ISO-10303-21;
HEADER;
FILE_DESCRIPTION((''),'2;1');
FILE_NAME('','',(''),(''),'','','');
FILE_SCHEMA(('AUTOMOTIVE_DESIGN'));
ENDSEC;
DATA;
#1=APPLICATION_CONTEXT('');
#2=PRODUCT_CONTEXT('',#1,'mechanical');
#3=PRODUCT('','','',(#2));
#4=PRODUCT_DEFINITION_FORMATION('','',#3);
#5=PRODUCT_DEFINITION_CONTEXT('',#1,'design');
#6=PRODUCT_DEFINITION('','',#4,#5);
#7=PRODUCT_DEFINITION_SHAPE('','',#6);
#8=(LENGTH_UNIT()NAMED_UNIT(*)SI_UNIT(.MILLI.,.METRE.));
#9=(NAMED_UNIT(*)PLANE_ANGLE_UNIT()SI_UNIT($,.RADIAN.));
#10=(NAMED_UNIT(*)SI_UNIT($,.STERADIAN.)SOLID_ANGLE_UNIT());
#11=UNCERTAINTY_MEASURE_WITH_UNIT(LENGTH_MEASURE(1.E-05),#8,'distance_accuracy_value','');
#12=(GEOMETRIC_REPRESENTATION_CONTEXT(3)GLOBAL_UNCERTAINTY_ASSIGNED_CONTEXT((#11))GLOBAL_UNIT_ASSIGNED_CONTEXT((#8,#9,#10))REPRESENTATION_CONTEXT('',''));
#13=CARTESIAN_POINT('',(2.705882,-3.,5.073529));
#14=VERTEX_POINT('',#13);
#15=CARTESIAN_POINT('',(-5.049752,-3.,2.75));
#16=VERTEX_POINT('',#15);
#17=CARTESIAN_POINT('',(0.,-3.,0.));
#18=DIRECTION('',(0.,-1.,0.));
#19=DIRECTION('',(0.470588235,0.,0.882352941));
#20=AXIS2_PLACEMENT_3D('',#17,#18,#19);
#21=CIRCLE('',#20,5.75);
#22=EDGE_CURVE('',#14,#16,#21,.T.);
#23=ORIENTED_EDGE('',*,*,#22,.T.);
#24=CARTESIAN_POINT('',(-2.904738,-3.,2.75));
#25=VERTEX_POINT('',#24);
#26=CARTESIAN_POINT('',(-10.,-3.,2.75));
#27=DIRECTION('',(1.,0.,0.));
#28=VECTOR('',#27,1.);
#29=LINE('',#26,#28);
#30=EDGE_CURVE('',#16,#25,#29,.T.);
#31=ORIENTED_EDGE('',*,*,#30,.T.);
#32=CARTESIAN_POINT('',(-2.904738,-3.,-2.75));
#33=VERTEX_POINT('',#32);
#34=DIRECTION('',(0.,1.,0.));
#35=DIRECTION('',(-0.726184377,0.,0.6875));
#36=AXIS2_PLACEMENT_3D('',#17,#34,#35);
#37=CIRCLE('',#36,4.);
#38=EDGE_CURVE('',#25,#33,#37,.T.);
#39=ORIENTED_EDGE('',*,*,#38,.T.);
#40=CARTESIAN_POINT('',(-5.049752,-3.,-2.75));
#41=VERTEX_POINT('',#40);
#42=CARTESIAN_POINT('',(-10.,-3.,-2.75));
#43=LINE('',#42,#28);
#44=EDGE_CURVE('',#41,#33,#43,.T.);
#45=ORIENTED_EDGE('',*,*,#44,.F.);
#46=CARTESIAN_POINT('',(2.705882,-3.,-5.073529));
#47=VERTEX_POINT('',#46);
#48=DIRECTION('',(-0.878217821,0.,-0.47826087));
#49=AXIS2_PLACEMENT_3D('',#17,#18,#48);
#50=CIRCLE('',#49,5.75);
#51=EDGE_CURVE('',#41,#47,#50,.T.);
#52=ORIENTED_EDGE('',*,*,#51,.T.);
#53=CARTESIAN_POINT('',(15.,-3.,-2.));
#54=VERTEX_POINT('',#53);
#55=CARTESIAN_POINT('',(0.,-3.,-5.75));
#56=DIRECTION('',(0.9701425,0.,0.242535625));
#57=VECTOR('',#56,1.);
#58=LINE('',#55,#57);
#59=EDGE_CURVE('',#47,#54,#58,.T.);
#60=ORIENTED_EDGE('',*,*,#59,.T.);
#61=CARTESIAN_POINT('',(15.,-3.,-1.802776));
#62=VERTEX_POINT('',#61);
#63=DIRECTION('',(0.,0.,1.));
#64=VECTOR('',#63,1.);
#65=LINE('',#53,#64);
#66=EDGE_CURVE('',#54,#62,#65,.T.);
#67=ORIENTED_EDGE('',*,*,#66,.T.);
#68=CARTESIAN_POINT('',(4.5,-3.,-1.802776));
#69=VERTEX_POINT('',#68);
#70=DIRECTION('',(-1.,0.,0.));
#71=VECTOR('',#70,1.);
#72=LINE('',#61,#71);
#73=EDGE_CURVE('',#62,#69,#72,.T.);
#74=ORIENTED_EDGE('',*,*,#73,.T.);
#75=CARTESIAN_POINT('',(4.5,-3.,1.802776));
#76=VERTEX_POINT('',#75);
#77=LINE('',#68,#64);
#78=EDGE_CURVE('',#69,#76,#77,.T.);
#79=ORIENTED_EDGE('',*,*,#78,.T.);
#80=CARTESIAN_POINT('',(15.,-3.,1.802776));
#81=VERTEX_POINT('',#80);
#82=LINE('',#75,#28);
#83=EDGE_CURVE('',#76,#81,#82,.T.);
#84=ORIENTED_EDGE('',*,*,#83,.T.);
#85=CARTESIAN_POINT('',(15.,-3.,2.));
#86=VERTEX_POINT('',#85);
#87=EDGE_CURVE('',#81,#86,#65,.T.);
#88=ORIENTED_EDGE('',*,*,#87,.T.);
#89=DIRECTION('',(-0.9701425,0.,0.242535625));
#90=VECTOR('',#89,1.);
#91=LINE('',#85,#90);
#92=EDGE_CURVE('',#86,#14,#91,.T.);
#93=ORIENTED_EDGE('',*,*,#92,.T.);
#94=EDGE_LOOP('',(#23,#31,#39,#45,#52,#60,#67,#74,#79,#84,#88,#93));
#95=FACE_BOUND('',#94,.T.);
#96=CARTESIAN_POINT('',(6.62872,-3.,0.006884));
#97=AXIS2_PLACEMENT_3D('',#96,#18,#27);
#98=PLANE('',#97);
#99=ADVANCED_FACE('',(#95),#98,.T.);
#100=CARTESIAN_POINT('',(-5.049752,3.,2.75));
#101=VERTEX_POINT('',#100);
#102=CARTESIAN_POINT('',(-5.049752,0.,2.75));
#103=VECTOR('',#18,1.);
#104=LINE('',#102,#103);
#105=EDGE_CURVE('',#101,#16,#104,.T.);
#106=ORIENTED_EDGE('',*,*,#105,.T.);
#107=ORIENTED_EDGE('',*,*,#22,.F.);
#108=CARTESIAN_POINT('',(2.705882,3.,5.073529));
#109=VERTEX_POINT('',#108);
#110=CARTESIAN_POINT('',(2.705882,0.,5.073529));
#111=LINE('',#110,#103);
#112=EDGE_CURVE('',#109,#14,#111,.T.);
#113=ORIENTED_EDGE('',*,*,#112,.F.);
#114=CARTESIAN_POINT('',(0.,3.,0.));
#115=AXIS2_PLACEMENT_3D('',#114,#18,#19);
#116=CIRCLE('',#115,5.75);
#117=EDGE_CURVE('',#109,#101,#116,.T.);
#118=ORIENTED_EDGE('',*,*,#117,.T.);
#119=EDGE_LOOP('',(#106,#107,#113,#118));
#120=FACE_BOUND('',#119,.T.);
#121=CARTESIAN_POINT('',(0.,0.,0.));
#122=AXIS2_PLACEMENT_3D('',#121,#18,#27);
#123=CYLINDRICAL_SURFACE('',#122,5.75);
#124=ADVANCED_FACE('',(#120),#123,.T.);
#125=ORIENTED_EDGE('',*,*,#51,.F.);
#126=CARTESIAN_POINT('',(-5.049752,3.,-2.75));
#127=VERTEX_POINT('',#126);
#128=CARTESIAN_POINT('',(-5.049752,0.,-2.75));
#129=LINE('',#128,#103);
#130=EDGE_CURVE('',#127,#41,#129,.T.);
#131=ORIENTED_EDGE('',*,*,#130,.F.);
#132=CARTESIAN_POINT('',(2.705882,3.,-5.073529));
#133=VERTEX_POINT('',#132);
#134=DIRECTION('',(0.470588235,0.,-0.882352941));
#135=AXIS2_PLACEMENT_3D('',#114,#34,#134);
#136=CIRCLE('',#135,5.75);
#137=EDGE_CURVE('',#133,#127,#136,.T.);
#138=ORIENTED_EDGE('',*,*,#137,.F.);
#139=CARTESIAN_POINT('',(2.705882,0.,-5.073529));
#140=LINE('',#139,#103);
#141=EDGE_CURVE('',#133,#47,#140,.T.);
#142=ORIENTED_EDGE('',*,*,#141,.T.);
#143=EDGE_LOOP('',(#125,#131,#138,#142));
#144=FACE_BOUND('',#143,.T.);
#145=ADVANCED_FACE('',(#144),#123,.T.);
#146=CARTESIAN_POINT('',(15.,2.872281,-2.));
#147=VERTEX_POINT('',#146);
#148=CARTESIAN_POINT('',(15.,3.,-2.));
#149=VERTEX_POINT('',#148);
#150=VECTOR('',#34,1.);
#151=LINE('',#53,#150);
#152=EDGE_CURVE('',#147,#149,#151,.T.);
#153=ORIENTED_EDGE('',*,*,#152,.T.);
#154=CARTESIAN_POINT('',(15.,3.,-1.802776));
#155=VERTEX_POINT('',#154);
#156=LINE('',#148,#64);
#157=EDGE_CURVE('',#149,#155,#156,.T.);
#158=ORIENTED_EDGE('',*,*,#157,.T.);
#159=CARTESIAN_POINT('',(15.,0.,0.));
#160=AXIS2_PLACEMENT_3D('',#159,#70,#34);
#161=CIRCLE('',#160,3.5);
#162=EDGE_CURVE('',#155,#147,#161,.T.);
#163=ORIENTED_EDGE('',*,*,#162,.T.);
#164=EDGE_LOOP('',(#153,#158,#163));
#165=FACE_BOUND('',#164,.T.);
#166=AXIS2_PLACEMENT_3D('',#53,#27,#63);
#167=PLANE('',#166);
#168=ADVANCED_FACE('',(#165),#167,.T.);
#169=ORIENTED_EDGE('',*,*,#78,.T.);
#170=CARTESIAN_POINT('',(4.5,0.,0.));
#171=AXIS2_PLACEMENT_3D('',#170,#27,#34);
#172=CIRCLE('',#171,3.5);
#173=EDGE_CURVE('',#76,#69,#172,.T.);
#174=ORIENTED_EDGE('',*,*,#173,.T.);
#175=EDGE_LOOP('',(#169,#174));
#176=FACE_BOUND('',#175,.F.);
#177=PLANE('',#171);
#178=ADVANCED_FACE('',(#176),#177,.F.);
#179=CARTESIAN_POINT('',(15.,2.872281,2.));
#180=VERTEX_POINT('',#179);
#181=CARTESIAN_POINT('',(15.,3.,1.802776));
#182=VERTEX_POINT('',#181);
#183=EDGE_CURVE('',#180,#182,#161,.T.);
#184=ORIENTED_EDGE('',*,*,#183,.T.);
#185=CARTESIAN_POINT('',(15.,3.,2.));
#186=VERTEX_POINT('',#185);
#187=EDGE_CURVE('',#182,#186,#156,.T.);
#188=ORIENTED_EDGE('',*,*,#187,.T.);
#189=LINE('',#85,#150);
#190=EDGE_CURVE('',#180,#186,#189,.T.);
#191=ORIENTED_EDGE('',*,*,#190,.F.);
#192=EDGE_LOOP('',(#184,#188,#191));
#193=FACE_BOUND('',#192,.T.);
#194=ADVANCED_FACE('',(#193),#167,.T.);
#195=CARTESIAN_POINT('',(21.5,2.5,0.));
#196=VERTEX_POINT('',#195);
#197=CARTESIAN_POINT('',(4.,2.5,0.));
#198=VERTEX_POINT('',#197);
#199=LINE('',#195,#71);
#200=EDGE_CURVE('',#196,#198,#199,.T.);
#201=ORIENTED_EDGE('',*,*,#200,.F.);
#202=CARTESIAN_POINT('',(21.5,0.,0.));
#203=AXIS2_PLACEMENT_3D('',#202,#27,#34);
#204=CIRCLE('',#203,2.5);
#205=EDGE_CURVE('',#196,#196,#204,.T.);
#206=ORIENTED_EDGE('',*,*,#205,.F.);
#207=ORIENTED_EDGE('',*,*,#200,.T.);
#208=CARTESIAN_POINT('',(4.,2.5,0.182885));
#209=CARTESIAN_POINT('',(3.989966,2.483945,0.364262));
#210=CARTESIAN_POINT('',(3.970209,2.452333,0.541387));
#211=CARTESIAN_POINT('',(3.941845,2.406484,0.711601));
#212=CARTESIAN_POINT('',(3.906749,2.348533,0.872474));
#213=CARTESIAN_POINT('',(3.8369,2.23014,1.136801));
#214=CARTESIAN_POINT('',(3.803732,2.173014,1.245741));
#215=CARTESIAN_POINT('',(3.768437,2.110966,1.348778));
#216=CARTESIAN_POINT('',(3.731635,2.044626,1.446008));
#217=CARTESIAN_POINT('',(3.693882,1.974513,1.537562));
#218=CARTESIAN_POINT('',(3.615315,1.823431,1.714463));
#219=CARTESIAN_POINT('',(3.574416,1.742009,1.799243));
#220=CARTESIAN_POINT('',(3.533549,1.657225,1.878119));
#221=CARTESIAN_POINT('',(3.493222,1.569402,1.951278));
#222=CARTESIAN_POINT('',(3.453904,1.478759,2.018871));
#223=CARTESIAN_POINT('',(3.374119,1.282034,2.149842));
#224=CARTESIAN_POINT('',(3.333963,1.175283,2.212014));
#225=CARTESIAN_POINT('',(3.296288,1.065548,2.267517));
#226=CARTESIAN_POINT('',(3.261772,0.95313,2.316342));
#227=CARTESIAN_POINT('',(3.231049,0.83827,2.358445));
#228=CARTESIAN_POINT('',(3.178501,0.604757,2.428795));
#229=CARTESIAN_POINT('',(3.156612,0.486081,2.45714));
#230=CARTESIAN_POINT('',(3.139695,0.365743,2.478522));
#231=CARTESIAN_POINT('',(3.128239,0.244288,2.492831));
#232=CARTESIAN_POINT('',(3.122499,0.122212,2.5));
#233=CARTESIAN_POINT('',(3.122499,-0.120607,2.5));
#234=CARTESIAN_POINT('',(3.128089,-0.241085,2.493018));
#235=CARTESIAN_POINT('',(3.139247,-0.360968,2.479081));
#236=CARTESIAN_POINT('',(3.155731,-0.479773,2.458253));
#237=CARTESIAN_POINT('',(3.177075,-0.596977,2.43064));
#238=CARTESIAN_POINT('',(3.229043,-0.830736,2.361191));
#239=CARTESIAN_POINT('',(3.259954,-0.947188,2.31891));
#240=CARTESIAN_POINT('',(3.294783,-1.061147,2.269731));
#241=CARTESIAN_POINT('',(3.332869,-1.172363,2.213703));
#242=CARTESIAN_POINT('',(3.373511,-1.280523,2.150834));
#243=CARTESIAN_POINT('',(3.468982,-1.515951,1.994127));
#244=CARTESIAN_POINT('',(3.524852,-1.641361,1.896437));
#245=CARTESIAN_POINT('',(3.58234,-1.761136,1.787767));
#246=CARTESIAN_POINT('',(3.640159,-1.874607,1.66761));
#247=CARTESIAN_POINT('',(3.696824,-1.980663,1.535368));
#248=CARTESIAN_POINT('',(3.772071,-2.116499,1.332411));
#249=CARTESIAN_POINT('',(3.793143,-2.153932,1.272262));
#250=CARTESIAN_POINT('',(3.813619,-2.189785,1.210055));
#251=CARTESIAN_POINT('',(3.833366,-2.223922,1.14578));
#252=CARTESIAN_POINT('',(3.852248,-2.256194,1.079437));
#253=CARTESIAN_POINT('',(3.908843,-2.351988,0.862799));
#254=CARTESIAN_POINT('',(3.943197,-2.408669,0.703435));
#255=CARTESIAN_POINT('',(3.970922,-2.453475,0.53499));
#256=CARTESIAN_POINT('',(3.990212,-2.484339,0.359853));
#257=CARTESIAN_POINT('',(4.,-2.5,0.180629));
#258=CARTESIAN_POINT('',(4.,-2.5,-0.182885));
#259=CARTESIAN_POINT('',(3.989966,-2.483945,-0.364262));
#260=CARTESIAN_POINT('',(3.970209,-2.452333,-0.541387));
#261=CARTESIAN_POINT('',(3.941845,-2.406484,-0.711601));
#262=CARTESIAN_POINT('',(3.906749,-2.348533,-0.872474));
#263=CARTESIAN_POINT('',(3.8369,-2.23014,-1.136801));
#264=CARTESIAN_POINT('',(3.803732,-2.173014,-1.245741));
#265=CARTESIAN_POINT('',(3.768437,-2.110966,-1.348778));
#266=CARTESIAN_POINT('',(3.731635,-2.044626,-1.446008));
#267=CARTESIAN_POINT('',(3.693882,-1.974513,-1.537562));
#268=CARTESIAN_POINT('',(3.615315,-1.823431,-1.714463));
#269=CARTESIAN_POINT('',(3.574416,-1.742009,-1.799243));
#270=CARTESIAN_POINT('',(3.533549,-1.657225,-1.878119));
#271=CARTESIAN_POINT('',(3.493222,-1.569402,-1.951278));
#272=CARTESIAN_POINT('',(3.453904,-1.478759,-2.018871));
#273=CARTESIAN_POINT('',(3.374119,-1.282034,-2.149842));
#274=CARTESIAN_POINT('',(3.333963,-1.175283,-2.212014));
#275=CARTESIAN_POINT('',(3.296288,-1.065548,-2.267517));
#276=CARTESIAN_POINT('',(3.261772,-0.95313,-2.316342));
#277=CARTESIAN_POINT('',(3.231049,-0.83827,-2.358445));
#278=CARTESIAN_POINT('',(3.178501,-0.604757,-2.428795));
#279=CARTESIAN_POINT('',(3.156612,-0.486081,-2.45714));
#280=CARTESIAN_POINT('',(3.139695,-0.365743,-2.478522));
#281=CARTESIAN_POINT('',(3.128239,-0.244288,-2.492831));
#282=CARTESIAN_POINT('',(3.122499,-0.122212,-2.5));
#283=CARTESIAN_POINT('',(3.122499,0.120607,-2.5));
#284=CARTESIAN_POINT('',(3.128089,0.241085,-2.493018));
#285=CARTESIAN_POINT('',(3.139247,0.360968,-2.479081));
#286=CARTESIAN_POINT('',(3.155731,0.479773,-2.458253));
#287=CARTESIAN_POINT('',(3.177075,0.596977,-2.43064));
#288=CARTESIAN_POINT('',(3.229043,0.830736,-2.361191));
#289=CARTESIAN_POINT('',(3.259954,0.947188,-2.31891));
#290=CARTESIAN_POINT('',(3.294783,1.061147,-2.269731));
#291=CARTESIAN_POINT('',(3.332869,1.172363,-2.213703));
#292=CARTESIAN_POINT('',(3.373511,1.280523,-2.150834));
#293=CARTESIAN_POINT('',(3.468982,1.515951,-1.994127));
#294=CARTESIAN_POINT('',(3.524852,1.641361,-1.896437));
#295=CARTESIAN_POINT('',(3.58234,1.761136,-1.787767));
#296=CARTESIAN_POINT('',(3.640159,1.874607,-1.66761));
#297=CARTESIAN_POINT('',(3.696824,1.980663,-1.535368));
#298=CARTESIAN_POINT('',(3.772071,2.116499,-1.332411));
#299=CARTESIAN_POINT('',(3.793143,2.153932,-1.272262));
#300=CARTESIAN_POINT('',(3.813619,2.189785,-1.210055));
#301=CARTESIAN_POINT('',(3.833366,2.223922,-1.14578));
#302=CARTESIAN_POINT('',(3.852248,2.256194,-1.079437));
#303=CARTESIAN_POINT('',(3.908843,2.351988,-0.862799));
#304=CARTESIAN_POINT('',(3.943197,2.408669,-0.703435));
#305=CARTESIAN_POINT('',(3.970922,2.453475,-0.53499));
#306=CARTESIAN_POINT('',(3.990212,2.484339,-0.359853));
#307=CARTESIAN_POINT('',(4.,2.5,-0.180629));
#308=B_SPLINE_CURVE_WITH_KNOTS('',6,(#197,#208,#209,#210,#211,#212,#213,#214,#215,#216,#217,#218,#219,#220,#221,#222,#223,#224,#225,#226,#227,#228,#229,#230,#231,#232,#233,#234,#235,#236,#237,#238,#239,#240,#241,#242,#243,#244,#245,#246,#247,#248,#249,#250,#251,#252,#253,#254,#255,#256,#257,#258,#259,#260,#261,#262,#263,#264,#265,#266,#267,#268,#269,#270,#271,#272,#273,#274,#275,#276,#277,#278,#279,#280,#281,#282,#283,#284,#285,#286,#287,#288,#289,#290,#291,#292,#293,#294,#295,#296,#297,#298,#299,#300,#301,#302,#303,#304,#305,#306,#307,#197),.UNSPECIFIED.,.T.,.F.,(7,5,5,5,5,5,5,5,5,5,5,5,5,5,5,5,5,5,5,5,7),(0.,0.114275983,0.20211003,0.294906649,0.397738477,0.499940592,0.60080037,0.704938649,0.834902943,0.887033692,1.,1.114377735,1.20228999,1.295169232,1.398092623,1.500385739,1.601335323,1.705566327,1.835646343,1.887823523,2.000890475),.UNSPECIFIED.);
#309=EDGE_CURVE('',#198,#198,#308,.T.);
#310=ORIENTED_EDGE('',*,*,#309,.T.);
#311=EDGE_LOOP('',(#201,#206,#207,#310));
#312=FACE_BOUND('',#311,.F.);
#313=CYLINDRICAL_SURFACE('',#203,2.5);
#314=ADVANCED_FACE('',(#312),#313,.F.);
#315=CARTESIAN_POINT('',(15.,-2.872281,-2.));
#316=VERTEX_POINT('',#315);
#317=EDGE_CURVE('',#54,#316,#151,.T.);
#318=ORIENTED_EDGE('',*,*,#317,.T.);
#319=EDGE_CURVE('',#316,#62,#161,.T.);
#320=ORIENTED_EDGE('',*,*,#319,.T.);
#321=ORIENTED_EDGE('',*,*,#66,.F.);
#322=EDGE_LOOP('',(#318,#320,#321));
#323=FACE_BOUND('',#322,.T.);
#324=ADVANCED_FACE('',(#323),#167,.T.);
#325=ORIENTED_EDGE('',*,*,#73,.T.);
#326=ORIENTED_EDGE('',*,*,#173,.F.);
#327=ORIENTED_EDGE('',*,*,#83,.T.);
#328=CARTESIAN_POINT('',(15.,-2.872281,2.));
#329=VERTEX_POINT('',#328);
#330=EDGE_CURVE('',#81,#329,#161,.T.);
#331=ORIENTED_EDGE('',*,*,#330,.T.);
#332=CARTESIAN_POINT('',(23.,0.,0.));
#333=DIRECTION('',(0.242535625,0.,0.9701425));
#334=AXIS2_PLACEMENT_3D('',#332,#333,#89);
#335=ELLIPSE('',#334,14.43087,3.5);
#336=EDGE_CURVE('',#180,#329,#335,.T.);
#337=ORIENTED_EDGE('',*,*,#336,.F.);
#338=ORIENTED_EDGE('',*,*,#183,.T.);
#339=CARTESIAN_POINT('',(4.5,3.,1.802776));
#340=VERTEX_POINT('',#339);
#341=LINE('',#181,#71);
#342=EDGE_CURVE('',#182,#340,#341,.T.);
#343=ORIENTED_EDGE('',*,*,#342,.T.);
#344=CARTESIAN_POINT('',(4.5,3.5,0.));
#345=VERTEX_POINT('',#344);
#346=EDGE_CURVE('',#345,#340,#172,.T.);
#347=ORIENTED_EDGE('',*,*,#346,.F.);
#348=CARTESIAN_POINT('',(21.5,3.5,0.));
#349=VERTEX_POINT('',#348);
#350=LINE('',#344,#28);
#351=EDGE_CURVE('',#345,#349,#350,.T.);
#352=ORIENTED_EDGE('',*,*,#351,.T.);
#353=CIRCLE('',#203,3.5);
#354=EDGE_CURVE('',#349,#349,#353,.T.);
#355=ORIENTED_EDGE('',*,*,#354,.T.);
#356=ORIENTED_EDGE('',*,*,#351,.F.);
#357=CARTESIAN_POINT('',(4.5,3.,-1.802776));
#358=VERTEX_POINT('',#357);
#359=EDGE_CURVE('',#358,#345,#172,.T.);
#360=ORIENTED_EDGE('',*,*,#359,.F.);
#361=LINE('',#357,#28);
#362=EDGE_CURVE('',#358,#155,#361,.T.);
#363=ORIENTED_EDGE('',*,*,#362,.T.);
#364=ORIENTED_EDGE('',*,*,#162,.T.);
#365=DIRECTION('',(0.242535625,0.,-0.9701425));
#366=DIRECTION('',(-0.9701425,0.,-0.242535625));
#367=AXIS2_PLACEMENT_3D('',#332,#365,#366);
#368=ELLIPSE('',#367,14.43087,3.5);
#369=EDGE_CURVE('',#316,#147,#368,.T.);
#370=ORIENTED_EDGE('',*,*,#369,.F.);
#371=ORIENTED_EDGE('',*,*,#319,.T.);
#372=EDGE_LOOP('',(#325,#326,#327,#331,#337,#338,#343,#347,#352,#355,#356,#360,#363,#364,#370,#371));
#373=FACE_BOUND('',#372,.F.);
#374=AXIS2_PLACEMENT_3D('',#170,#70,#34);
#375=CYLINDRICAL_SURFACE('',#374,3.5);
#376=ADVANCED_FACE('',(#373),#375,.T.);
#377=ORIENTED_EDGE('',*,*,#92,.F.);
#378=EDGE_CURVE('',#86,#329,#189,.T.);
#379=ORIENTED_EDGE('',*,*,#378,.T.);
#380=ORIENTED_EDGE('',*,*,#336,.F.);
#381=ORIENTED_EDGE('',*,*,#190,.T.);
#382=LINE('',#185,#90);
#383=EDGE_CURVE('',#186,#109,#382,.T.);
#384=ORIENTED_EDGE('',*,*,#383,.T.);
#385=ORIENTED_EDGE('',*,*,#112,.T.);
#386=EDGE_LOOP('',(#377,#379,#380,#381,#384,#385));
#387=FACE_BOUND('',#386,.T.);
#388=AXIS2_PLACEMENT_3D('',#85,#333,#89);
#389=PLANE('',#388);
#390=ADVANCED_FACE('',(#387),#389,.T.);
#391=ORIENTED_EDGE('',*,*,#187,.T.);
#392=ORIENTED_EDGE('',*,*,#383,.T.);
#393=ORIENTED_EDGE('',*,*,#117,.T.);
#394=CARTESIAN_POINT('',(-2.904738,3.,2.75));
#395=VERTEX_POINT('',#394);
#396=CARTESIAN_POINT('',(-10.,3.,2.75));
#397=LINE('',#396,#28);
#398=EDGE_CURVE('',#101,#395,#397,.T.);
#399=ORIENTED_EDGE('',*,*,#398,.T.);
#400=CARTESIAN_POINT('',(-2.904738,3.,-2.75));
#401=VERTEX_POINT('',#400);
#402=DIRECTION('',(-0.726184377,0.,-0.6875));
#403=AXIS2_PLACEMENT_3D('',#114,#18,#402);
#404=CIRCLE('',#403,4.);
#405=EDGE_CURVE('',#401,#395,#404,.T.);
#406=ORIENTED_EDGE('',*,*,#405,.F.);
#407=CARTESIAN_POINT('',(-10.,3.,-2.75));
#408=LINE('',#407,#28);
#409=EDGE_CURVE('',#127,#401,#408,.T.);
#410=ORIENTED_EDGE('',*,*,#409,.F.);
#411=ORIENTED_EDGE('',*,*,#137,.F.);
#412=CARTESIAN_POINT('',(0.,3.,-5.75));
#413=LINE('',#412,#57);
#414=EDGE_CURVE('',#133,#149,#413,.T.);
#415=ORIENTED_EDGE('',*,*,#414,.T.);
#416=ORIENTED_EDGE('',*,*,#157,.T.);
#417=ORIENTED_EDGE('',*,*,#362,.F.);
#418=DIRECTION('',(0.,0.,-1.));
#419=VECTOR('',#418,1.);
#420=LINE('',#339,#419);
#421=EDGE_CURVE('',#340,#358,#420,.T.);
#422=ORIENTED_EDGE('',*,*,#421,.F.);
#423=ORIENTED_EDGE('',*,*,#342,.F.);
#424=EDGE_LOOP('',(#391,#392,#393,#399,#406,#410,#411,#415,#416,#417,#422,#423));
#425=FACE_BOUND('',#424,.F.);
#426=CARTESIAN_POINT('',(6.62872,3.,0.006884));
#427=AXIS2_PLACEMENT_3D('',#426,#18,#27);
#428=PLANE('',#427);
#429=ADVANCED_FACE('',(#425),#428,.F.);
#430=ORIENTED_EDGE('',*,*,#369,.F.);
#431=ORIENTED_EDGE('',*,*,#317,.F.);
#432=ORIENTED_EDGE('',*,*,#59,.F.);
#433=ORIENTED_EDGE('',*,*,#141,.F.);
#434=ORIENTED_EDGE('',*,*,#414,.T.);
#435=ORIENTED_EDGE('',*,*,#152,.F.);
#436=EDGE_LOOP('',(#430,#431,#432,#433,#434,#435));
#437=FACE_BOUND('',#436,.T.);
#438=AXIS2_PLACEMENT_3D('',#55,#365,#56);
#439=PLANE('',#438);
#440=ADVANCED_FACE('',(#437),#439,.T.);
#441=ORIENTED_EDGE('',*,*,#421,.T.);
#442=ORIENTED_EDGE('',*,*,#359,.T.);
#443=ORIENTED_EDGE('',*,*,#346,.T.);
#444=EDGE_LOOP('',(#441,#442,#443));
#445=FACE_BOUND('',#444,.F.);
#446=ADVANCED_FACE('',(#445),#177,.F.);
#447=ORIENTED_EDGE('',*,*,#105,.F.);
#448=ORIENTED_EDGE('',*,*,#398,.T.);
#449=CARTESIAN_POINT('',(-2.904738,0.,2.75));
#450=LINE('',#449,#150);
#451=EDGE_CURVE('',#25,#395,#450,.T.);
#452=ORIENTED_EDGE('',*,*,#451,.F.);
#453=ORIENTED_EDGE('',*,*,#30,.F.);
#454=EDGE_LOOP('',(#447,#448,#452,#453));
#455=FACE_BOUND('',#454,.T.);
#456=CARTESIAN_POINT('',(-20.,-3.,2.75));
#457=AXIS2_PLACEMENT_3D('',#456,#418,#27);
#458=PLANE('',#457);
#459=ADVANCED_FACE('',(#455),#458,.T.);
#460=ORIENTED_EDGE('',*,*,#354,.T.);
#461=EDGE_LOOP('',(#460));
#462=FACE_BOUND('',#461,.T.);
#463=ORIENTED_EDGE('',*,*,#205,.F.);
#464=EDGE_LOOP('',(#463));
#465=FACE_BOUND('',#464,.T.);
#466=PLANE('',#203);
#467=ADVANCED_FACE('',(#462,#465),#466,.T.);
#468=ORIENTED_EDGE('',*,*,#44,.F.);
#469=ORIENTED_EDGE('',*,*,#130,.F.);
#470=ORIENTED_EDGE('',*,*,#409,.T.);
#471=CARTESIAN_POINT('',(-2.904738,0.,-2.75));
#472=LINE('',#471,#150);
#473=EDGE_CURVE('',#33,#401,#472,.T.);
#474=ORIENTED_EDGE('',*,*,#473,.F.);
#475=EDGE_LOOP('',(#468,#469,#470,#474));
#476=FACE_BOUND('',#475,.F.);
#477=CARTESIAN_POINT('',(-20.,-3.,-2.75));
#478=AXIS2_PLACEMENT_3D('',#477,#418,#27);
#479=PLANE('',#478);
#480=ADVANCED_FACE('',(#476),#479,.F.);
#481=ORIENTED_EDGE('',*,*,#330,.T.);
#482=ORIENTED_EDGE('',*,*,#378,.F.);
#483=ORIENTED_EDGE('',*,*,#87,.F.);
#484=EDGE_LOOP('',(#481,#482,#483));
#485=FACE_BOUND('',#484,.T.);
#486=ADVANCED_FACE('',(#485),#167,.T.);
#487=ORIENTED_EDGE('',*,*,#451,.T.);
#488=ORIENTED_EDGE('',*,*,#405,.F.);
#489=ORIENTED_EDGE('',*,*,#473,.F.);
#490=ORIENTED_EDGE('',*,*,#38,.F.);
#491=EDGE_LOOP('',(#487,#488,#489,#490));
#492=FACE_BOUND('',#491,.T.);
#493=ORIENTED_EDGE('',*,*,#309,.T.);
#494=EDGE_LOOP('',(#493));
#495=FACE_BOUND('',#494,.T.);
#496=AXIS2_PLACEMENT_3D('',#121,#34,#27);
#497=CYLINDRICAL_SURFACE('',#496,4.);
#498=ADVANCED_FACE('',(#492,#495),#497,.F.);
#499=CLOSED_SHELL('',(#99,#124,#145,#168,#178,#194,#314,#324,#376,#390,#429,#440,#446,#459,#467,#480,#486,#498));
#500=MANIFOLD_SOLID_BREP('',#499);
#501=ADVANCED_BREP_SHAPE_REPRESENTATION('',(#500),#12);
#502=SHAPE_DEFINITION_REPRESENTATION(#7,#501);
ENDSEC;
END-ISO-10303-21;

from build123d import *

# Parameters (mm, degrees)
F0_R      = 5.75
F0_R_2    = 4
F1_DEPTH  = 3
F3_R      = 3.5
F4_DEPTH  = 17
F5_W      = 20
F5_H      = 5.5
F6_DEPTH  = 25
F12_DEPTH = 6
F10_R     = 2.5
F13_DEPTH = 25


with BuildPart() as f1:
    # F0 (on Front) → F1 (new body, symmetric)
    with BuildSketch(Plane.XZ):
        Circle(F0_R)
        Circle(F0_R_2, mode=Mode.SUBTRACT)
    extrude(amount=F1_DEPTH, both=True)

    # F3 (on offset) → F4 (join)
    with BuildSketch(Plane.YZ.offset(4.5)):
        Circle(F3_R)
    extrude(amount=F4_DEPTH)

    # F5 (on face) → F6 (cut)
    with BuildSketch(Plane.XZ.offset(3)):
        with Locations((-10, 0)):
            Rectangle(F5_W, F5_H)
    extrude(amount=-F6_DEPTH, mode=Mode.SUBTRACT)

    # F11 (on face) → F12 (join)
    with BuildSketch(Plane.XZ.offset(3)):
        Polygon((15, 2), (0, 5.75), (4.887585, 1.127019), (4.887585, -0.959626), (0, -5.75), (15, -2), align=None)
    extrude(amount=-F12_DEPTH)

    # F10 (on face) → F13 (cut)
    with BuildSketch(Plane.YZ.offset(21.5)):
        Circle(F10_R)
    extrude(amount=-F13_DEPTH, mode=Mode.SUBTRACT)


solid = f1.part
